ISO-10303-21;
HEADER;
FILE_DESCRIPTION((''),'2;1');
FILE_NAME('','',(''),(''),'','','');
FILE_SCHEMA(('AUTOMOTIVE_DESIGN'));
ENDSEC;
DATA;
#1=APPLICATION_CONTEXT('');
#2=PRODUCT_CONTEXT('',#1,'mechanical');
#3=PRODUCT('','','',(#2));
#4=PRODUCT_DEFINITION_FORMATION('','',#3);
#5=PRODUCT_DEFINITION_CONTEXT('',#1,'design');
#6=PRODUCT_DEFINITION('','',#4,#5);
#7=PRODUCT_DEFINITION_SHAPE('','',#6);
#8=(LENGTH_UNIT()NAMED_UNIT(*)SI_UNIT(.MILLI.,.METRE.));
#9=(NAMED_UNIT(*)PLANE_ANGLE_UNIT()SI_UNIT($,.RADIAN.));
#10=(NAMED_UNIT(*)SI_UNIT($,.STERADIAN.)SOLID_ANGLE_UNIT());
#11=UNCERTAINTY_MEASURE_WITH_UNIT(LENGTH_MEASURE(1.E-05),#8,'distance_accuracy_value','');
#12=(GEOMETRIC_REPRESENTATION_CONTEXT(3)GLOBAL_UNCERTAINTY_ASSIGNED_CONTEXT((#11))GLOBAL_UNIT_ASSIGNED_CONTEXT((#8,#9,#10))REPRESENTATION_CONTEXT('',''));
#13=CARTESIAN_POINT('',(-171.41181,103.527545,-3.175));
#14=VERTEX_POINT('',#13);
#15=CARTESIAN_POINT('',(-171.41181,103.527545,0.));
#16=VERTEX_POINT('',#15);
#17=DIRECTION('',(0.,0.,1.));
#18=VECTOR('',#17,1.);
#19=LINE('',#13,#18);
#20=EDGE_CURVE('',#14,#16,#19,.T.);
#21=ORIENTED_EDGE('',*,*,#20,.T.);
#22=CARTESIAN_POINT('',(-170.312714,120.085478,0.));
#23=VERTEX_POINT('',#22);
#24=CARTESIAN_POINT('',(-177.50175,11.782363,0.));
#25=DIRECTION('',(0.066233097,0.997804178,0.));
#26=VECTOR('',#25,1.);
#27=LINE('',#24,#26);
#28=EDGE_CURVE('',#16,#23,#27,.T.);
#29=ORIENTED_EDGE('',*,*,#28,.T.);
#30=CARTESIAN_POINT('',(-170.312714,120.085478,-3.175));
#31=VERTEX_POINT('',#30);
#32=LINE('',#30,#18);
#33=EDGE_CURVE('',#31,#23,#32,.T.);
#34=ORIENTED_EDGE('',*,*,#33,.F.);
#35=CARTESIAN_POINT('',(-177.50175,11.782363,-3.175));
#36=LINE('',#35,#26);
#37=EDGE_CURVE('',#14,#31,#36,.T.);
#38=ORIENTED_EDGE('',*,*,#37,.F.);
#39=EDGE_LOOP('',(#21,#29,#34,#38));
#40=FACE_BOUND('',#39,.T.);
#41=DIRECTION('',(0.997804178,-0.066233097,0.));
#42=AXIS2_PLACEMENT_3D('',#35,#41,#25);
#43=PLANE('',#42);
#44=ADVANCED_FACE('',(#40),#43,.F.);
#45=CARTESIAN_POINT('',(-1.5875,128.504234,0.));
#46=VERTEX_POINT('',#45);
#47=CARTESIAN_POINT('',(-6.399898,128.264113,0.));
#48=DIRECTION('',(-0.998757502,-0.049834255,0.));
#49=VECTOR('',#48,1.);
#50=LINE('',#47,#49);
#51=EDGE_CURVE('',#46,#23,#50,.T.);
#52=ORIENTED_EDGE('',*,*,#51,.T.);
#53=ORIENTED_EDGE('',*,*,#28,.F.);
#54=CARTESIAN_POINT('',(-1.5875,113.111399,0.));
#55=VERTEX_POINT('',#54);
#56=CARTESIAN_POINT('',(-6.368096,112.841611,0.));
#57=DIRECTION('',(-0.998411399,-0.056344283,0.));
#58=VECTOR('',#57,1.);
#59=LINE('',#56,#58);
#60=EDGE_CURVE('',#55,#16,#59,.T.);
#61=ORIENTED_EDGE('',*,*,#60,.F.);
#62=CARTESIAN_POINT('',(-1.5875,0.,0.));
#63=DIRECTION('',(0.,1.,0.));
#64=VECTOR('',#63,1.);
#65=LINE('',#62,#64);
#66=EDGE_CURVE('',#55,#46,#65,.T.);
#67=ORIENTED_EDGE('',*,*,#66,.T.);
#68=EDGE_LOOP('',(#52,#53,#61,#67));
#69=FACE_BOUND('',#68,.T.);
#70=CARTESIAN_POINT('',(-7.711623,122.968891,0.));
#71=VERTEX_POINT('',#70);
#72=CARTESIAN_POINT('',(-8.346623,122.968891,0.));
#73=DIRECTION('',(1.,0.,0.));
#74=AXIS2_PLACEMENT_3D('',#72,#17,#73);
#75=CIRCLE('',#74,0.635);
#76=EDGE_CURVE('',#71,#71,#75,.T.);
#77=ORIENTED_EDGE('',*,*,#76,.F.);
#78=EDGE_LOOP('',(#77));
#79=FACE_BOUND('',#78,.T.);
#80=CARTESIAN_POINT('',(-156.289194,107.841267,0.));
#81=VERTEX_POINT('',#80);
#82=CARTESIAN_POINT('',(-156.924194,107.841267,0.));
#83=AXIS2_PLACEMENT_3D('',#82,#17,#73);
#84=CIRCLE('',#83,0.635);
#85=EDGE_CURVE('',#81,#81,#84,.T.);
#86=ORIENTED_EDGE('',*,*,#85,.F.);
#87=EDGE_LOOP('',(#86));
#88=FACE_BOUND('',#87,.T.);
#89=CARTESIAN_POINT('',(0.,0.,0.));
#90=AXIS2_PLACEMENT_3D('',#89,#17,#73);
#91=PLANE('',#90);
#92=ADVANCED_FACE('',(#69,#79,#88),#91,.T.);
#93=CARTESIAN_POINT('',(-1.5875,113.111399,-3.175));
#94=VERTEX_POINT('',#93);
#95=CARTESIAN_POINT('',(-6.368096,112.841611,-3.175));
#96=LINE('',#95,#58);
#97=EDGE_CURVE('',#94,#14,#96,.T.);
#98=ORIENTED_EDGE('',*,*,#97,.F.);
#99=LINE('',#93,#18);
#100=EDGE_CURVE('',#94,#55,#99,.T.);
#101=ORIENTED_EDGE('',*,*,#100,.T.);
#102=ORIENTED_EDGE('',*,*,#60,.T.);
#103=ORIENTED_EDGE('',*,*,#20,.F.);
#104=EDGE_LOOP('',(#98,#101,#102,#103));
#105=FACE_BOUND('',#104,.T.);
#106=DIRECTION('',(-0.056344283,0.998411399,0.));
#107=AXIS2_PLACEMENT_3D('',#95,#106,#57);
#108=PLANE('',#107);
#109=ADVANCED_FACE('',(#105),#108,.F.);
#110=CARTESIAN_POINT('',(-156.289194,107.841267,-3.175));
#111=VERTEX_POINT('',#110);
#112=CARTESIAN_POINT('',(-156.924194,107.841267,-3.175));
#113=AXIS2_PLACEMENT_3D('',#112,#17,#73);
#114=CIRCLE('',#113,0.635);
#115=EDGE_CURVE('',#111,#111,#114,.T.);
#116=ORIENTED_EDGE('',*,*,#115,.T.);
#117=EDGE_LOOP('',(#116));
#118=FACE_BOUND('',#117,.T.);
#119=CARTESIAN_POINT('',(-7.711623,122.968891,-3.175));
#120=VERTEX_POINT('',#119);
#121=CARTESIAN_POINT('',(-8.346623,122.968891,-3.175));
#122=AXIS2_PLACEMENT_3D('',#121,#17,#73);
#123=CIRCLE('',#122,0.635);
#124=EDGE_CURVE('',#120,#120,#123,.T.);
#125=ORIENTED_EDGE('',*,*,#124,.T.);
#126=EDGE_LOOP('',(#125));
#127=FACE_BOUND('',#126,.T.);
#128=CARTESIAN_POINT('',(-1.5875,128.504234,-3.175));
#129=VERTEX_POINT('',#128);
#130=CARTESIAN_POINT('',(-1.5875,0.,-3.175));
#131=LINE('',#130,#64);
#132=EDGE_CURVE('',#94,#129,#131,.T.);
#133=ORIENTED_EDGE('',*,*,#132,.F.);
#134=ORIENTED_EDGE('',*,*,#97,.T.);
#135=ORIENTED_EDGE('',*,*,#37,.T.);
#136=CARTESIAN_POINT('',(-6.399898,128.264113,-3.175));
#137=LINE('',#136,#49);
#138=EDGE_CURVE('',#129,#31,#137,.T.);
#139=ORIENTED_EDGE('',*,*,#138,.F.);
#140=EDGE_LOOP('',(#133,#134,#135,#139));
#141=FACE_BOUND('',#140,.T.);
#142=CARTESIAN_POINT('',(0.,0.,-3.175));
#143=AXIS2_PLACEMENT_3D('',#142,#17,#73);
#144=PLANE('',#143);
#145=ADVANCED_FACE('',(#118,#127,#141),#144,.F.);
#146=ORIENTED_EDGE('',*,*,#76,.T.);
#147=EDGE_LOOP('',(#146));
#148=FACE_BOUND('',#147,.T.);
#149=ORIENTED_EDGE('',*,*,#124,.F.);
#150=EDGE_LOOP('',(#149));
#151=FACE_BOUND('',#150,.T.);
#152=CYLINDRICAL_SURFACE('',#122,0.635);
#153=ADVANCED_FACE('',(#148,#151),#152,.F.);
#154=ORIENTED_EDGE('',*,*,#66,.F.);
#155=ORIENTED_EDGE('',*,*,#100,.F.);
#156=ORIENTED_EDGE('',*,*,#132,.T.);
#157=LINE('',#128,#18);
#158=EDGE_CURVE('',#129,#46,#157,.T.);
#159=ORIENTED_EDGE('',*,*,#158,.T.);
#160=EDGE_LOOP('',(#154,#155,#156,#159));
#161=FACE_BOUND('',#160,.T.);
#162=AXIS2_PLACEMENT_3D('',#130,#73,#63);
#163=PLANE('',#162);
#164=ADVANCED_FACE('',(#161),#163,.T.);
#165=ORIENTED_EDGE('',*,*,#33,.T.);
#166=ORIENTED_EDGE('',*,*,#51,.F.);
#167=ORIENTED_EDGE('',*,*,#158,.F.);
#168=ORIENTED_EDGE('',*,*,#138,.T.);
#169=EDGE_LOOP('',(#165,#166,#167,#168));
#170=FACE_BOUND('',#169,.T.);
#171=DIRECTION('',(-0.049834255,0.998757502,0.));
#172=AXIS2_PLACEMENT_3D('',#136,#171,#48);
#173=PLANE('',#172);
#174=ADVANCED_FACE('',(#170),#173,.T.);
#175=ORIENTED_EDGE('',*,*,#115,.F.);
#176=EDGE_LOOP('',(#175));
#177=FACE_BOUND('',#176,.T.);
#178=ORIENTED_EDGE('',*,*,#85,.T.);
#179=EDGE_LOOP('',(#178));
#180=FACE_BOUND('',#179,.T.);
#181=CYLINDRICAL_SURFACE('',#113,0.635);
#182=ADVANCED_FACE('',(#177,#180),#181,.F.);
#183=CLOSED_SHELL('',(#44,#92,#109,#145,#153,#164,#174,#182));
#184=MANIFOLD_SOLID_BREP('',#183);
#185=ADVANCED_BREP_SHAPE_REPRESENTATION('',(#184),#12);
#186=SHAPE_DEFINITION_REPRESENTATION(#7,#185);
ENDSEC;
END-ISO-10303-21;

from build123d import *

# Parameters (mm, degrees)
SKETCH1_R           = 0.635
BOSS_EXTRUDE1_DEPTH = 3.175


with BuildPart() as part:
    # Sketch1 → Boss-Extrude1 (new body)
    with BuildSketch(Plane.XY):
        Polygon((-1.5875, 113.111399164), (-1.5875, 128.504233601), (-170.312713847, 120.085477895), (-171.411810426, 103.527545161), align=None)
        with Locations((-156.924194119, 107.841267283)):
            Circle(SKETCH1_R, mode=Mode.SUBTRACT)
        with Locations((-8.346623216, 122.968890993)):
            Circle(SKETCH1_R, mode=Mode.SUBTRACT)
    extrude(amount=-BOSS_EXTRUDE1_DEPTH)


solid = part.part
